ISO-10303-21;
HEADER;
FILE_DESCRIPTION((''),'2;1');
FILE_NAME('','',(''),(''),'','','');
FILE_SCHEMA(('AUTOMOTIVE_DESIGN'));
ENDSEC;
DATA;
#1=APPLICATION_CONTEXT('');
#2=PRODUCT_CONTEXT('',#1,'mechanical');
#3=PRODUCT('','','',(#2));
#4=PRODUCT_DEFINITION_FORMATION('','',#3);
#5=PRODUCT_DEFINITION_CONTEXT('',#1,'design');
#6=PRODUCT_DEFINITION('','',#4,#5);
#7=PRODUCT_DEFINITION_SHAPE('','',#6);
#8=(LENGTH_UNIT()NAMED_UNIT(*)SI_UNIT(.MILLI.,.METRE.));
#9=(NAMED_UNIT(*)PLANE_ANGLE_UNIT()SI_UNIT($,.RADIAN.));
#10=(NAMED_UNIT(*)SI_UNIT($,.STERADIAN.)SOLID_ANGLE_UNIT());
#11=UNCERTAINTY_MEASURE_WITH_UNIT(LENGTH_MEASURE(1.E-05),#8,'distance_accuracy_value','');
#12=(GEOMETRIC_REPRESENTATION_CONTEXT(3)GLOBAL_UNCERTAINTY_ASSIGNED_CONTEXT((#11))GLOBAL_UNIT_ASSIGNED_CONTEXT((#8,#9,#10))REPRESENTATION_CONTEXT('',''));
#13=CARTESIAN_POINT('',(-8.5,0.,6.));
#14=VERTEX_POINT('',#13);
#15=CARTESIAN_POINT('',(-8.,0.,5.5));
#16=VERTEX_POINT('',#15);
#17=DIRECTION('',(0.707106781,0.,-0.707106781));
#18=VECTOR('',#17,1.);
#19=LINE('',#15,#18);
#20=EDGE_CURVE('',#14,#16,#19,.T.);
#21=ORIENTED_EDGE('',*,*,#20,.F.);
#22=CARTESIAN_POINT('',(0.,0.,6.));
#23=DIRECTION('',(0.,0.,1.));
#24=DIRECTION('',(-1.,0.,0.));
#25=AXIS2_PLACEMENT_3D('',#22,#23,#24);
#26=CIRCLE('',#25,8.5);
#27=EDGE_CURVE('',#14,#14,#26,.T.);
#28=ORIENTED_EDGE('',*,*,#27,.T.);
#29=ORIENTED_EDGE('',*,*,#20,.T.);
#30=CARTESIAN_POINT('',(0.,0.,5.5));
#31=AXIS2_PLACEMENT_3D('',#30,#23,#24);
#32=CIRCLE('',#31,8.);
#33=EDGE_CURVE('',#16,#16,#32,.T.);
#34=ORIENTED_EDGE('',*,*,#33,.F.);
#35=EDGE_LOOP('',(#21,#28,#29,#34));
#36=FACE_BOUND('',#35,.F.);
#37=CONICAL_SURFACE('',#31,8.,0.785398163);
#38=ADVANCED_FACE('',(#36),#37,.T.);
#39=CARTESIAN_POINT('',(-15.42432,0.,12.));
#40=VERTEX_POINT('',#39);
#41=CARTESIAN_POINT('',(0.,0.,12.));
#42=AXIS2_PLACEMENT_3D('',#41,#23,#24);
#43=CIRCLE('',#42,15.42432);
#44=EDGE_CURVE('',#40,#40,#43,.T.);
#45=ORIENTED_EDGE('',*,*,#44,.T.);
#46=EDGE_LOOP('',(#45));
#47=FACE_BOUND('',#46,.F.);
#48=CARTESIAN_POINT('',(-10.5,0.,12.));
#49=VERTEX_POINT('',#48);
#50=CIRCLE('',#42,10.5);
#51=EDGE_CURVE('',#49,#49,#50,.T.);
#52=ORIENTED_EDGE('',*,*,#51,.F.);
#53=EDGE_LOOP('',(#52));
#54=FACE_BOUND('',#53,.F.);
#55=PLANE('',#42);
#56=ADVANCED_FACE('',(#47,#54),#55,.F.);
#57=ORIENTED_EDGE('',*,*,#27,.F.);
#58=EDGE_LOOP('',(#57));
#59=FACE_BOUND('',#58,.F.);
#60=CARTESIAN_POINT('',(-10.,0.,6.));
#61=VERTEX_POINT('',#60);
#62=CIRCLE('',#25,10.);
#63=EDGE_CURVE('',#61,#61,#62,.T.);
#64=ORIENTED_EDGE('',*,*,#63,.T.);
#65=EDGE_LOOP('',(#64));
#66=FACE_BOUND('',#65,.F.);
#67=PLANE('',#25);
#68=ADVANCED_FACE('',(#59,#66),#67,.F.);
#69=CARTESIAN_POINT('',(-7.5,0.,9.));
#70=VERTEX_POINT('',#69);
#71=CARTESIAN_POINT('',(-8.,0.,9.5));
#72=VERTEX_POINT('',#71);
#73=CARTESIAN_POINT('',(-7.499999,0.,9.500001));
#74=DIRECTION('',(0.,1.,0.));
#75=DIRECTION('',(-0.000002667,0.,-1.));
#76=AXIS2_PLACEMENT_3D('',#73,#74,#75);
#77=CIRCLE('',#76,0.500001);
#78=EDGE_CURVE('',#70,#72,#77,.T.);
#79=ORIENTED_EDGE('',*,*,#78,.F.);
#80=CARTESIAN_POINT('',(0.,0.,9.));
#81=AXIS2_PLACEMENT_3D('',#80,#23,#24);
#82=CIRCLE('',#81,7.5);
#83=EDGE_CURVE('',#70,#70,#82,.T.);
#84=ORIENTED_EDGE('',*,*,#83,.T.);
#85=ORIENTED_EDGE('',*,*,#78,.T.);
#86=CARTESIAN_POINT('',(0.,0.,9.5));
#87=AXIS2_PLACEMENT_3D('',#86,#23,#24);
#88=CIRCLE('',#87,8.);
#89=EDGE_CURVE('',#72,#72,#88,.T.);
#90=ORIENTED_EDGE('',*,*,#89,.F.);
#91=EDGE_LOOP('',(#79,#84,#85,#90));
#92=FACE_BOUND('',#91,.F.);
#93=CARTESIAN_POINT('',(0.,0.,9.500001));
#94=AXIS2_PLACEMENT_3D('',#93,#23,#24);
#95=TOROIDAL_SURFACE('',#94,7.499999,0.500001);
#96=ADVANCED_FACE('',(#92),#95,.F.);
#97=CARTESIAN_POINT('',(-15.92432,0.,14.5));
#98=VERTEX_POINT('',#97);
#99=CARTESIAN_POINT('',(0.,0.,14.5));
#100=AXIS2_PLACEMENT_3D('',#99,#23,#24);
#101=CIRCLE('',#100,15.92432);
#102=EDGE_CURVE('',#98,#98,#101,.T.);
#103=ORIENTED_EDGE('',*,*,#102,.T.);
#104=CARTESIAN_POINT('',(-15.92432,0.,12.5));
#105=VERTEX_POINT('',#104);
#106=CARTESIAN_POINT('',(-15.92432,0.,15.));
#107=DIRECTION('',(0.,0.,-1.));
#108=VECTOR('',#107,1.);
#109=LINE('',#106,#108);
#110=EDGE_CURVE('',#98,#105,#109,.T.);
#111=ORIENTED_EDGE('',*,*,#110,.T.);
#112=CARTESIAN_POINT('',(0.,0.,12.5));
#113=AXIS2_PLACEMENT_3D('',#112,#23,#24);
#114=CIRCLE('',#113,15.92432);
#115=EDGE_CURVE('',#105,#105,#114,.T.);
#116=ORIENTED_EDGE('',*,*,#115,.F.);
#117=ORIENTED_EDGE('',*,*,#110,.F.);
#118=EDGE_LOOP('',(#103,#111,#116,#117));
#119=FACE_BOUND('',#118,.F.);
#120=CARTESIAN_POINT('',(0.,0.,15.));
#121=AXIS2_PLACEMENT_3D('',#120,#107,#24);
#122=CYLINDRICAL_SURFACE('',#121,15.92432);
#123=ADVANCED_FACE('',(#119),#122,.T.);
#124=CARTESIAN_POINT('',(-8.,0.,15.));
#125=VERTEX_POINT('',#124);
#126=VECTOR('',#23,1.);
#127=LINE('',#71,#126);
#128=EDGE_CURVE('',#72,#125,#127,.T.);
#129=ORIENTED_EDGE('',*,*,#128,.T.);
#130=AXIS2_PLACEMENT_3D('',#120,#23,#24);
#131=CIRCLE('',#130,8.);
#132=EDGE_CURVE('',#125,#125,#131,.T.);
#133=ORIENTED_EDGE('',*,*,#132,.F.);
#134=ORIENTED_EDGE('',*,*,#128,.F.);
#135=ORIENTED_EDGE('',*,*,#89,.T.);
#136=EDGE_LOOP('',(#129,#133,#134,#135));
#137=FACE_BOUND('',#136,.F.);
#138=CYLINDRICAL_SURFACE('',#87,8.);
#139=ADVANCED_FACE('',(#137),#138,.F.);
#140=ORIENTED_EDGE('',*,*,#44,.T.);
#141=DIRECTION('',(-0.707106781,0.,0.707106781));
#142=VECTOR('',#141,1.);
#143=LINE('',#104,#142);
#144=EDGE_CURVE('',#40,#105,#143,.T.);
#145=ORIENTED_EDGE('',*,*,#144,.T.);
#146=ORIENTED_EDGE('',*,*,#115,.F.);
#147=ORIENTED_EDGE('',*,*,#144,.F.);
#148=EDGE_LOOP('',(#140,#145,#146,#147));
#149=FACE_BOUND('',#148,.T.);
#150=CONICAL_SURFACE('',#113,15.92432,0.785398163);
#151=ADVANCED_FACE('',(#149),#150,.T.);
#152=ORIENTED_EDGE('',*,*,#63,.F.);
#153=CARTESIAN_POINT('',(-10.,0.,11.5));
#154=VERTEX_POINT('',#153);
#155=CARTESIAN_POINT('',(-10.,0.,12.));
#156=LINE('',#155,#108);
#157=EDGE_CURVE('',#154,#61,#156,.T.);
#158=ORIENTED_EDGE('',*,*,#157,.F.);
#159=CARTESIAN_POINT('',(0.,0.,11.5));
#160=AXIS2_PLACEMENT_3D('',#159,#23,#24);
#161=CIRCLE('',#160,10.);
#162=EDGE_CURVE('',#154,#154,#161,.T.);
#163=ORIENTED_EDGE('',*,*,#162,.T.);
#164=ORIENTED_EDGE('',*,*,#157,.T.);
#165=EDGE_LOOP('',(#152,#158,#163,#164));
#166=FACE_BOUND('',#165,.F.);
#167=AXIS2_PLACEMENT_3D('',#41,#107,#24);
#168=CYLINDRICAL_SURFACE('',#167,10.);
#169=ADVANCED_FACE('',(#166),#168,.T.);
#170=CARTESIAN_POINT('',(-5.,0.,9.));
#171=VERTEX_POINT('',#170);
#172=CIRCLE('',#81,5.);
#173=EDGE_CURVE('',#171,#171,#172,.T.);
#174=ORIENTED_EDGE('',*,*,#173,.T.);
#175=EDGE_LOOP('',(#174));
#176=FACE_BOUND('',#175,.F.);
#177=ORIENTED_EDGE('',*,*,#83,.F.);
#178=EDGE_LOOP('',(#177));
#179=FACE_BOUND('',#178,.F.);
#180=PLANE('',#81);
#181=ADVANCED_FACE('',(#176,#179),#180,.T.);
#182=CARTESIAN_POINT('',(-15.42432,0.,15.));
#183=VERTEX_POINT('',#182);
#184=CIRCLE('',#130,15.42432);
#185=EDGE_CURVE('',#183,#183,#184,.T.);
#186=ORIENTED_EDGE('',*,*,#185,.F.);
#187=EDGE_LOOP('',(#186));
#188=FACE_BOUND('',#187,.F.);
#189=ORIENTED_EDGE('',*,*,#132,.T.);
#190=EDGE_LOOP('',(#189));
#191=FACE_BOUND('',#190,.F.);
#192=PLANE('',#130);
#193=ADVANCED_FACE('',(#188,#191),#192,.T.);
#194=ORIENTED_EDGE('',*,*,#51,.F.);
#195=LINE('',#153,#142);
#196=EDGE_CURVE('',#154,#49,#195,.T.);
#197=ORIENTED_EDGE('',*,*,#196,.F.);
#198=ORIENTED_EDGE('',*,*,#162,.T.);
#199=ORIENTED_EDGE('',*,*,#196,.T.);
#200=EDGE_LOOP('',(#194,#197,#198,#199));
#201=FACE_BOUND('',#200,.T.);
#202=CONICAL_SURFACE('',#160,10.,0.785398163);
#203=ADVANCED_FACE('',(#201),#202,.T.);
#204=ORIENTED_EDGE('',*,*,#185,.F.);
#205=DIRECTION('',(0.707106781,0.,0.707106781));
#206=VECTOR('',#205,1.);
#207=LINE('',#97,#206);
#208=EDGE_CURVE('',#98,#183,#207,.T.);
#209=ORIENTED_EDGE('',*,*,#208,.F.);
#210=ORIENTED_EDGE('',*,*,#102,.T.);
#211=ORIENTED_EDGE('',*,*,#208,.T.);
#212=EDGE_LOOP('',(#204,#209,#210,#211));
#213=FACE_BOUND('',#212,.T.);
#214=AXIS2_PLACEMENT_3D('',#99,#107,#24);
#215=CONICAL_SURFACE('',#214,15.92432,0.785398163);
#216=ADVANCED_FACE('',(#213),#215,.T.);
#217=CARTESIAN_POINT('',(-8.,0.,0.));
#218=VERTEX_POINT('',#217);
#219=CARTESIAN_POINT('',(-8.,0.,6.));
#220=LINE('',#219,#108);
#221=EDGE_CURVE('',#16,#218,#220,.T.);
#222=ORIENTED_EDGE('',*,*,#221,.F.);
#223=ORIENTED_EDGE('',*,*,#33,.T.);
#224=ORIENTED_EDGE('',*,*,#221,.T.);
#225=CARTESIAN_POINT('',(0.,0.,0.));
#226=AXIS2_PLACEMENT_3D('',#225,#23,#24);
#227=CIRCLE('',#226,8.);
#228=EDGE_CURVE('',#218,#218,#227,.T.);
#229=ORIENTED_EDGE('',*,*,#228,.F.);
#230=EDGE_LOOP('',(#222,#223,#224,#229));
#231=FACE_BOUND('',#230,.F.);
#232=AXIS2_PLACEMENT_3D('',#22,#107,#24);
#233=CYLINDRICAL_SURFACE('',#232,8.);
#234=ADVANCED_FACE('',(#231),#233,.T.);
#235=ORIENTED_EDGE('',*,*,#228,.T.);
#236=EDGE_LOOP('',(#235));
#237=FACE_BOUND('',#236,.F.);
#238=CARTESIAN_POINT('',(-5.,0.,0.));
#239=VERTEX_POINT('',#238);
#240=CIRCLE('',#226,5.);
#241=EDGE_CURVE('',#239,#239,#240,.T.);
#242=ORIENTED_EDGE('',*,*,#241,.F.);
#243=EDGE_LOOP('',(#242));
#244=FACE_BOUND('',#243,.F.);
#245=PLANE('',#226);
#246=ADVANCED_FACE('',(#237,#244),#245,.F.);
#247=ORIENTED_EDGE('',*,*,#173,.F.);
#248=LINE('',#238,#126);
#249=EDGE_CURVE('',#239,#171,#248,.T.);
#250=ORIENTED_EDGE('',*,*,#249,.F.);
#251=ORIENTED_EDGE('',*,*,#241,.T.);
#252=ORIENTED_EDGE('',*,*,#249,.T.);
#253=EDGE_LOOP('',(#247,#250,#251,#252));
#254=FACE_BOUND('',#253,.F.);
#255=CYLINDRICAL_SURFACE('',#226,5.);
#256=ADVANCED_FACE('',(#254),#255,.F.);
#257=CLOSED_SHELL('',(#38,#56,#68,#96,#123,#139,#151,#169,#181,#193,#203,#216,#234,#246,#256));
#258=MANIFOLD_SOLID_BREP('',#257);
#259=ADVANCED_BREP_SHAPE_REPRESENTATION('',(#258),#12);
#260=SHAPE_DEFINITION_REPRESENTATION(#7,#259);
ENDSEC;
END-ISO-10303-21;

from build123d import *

# Parameters (mm, degrees)
F2_SIZE = 0.5
F3_SIZE = 0.5


with BuildPart() as f1:
    # F0 (on Front) → F1 (revolve)
    with BuildSketch(Plane.XZ):
        with BuildLine():
            Line((-15.92432, 12), (-10, 12))
            Line((-10, 12), (-10, 6))
            Line((-10, 6), (-8, 6))
            Line((-8, 6), (-8, 0))
            Line((-8, 0), (-5, 0))
            Line((-5, 0), (-5, 9))
            Line((-5, 9), (-7.5, 9))
            ThreePointArc((-7.5, 9), (-7.853553, 9.146447), (-8, 9.5))
            Line((-8, 9.5), (-8, 15))
            Line((-8, 15), (-15.92432, 15))
            Line((-15.92432, 15), (-15.92432, 12))
        make_face()
    revolve(axis=Axis((0, 0, 8.069702), (0, 0, 1)))

    # F2
    f2_edges = [f1.edges().sort_by_distance(p)[0] for p in [
        (8, 0, 6),
    ]]
    chamfer(f2_edges, length=F2_SIZE)

    # F3
    f3_edges = [f1.edges().sort_by_distance(p)[0] for p in [
        (15.92432, 0, 12),
        (15.92432, 0, 15),
        (10, 0, 12),
    ]]
    chamfer(f3_edges, length=F3_SIZE)


solid = f1.part
